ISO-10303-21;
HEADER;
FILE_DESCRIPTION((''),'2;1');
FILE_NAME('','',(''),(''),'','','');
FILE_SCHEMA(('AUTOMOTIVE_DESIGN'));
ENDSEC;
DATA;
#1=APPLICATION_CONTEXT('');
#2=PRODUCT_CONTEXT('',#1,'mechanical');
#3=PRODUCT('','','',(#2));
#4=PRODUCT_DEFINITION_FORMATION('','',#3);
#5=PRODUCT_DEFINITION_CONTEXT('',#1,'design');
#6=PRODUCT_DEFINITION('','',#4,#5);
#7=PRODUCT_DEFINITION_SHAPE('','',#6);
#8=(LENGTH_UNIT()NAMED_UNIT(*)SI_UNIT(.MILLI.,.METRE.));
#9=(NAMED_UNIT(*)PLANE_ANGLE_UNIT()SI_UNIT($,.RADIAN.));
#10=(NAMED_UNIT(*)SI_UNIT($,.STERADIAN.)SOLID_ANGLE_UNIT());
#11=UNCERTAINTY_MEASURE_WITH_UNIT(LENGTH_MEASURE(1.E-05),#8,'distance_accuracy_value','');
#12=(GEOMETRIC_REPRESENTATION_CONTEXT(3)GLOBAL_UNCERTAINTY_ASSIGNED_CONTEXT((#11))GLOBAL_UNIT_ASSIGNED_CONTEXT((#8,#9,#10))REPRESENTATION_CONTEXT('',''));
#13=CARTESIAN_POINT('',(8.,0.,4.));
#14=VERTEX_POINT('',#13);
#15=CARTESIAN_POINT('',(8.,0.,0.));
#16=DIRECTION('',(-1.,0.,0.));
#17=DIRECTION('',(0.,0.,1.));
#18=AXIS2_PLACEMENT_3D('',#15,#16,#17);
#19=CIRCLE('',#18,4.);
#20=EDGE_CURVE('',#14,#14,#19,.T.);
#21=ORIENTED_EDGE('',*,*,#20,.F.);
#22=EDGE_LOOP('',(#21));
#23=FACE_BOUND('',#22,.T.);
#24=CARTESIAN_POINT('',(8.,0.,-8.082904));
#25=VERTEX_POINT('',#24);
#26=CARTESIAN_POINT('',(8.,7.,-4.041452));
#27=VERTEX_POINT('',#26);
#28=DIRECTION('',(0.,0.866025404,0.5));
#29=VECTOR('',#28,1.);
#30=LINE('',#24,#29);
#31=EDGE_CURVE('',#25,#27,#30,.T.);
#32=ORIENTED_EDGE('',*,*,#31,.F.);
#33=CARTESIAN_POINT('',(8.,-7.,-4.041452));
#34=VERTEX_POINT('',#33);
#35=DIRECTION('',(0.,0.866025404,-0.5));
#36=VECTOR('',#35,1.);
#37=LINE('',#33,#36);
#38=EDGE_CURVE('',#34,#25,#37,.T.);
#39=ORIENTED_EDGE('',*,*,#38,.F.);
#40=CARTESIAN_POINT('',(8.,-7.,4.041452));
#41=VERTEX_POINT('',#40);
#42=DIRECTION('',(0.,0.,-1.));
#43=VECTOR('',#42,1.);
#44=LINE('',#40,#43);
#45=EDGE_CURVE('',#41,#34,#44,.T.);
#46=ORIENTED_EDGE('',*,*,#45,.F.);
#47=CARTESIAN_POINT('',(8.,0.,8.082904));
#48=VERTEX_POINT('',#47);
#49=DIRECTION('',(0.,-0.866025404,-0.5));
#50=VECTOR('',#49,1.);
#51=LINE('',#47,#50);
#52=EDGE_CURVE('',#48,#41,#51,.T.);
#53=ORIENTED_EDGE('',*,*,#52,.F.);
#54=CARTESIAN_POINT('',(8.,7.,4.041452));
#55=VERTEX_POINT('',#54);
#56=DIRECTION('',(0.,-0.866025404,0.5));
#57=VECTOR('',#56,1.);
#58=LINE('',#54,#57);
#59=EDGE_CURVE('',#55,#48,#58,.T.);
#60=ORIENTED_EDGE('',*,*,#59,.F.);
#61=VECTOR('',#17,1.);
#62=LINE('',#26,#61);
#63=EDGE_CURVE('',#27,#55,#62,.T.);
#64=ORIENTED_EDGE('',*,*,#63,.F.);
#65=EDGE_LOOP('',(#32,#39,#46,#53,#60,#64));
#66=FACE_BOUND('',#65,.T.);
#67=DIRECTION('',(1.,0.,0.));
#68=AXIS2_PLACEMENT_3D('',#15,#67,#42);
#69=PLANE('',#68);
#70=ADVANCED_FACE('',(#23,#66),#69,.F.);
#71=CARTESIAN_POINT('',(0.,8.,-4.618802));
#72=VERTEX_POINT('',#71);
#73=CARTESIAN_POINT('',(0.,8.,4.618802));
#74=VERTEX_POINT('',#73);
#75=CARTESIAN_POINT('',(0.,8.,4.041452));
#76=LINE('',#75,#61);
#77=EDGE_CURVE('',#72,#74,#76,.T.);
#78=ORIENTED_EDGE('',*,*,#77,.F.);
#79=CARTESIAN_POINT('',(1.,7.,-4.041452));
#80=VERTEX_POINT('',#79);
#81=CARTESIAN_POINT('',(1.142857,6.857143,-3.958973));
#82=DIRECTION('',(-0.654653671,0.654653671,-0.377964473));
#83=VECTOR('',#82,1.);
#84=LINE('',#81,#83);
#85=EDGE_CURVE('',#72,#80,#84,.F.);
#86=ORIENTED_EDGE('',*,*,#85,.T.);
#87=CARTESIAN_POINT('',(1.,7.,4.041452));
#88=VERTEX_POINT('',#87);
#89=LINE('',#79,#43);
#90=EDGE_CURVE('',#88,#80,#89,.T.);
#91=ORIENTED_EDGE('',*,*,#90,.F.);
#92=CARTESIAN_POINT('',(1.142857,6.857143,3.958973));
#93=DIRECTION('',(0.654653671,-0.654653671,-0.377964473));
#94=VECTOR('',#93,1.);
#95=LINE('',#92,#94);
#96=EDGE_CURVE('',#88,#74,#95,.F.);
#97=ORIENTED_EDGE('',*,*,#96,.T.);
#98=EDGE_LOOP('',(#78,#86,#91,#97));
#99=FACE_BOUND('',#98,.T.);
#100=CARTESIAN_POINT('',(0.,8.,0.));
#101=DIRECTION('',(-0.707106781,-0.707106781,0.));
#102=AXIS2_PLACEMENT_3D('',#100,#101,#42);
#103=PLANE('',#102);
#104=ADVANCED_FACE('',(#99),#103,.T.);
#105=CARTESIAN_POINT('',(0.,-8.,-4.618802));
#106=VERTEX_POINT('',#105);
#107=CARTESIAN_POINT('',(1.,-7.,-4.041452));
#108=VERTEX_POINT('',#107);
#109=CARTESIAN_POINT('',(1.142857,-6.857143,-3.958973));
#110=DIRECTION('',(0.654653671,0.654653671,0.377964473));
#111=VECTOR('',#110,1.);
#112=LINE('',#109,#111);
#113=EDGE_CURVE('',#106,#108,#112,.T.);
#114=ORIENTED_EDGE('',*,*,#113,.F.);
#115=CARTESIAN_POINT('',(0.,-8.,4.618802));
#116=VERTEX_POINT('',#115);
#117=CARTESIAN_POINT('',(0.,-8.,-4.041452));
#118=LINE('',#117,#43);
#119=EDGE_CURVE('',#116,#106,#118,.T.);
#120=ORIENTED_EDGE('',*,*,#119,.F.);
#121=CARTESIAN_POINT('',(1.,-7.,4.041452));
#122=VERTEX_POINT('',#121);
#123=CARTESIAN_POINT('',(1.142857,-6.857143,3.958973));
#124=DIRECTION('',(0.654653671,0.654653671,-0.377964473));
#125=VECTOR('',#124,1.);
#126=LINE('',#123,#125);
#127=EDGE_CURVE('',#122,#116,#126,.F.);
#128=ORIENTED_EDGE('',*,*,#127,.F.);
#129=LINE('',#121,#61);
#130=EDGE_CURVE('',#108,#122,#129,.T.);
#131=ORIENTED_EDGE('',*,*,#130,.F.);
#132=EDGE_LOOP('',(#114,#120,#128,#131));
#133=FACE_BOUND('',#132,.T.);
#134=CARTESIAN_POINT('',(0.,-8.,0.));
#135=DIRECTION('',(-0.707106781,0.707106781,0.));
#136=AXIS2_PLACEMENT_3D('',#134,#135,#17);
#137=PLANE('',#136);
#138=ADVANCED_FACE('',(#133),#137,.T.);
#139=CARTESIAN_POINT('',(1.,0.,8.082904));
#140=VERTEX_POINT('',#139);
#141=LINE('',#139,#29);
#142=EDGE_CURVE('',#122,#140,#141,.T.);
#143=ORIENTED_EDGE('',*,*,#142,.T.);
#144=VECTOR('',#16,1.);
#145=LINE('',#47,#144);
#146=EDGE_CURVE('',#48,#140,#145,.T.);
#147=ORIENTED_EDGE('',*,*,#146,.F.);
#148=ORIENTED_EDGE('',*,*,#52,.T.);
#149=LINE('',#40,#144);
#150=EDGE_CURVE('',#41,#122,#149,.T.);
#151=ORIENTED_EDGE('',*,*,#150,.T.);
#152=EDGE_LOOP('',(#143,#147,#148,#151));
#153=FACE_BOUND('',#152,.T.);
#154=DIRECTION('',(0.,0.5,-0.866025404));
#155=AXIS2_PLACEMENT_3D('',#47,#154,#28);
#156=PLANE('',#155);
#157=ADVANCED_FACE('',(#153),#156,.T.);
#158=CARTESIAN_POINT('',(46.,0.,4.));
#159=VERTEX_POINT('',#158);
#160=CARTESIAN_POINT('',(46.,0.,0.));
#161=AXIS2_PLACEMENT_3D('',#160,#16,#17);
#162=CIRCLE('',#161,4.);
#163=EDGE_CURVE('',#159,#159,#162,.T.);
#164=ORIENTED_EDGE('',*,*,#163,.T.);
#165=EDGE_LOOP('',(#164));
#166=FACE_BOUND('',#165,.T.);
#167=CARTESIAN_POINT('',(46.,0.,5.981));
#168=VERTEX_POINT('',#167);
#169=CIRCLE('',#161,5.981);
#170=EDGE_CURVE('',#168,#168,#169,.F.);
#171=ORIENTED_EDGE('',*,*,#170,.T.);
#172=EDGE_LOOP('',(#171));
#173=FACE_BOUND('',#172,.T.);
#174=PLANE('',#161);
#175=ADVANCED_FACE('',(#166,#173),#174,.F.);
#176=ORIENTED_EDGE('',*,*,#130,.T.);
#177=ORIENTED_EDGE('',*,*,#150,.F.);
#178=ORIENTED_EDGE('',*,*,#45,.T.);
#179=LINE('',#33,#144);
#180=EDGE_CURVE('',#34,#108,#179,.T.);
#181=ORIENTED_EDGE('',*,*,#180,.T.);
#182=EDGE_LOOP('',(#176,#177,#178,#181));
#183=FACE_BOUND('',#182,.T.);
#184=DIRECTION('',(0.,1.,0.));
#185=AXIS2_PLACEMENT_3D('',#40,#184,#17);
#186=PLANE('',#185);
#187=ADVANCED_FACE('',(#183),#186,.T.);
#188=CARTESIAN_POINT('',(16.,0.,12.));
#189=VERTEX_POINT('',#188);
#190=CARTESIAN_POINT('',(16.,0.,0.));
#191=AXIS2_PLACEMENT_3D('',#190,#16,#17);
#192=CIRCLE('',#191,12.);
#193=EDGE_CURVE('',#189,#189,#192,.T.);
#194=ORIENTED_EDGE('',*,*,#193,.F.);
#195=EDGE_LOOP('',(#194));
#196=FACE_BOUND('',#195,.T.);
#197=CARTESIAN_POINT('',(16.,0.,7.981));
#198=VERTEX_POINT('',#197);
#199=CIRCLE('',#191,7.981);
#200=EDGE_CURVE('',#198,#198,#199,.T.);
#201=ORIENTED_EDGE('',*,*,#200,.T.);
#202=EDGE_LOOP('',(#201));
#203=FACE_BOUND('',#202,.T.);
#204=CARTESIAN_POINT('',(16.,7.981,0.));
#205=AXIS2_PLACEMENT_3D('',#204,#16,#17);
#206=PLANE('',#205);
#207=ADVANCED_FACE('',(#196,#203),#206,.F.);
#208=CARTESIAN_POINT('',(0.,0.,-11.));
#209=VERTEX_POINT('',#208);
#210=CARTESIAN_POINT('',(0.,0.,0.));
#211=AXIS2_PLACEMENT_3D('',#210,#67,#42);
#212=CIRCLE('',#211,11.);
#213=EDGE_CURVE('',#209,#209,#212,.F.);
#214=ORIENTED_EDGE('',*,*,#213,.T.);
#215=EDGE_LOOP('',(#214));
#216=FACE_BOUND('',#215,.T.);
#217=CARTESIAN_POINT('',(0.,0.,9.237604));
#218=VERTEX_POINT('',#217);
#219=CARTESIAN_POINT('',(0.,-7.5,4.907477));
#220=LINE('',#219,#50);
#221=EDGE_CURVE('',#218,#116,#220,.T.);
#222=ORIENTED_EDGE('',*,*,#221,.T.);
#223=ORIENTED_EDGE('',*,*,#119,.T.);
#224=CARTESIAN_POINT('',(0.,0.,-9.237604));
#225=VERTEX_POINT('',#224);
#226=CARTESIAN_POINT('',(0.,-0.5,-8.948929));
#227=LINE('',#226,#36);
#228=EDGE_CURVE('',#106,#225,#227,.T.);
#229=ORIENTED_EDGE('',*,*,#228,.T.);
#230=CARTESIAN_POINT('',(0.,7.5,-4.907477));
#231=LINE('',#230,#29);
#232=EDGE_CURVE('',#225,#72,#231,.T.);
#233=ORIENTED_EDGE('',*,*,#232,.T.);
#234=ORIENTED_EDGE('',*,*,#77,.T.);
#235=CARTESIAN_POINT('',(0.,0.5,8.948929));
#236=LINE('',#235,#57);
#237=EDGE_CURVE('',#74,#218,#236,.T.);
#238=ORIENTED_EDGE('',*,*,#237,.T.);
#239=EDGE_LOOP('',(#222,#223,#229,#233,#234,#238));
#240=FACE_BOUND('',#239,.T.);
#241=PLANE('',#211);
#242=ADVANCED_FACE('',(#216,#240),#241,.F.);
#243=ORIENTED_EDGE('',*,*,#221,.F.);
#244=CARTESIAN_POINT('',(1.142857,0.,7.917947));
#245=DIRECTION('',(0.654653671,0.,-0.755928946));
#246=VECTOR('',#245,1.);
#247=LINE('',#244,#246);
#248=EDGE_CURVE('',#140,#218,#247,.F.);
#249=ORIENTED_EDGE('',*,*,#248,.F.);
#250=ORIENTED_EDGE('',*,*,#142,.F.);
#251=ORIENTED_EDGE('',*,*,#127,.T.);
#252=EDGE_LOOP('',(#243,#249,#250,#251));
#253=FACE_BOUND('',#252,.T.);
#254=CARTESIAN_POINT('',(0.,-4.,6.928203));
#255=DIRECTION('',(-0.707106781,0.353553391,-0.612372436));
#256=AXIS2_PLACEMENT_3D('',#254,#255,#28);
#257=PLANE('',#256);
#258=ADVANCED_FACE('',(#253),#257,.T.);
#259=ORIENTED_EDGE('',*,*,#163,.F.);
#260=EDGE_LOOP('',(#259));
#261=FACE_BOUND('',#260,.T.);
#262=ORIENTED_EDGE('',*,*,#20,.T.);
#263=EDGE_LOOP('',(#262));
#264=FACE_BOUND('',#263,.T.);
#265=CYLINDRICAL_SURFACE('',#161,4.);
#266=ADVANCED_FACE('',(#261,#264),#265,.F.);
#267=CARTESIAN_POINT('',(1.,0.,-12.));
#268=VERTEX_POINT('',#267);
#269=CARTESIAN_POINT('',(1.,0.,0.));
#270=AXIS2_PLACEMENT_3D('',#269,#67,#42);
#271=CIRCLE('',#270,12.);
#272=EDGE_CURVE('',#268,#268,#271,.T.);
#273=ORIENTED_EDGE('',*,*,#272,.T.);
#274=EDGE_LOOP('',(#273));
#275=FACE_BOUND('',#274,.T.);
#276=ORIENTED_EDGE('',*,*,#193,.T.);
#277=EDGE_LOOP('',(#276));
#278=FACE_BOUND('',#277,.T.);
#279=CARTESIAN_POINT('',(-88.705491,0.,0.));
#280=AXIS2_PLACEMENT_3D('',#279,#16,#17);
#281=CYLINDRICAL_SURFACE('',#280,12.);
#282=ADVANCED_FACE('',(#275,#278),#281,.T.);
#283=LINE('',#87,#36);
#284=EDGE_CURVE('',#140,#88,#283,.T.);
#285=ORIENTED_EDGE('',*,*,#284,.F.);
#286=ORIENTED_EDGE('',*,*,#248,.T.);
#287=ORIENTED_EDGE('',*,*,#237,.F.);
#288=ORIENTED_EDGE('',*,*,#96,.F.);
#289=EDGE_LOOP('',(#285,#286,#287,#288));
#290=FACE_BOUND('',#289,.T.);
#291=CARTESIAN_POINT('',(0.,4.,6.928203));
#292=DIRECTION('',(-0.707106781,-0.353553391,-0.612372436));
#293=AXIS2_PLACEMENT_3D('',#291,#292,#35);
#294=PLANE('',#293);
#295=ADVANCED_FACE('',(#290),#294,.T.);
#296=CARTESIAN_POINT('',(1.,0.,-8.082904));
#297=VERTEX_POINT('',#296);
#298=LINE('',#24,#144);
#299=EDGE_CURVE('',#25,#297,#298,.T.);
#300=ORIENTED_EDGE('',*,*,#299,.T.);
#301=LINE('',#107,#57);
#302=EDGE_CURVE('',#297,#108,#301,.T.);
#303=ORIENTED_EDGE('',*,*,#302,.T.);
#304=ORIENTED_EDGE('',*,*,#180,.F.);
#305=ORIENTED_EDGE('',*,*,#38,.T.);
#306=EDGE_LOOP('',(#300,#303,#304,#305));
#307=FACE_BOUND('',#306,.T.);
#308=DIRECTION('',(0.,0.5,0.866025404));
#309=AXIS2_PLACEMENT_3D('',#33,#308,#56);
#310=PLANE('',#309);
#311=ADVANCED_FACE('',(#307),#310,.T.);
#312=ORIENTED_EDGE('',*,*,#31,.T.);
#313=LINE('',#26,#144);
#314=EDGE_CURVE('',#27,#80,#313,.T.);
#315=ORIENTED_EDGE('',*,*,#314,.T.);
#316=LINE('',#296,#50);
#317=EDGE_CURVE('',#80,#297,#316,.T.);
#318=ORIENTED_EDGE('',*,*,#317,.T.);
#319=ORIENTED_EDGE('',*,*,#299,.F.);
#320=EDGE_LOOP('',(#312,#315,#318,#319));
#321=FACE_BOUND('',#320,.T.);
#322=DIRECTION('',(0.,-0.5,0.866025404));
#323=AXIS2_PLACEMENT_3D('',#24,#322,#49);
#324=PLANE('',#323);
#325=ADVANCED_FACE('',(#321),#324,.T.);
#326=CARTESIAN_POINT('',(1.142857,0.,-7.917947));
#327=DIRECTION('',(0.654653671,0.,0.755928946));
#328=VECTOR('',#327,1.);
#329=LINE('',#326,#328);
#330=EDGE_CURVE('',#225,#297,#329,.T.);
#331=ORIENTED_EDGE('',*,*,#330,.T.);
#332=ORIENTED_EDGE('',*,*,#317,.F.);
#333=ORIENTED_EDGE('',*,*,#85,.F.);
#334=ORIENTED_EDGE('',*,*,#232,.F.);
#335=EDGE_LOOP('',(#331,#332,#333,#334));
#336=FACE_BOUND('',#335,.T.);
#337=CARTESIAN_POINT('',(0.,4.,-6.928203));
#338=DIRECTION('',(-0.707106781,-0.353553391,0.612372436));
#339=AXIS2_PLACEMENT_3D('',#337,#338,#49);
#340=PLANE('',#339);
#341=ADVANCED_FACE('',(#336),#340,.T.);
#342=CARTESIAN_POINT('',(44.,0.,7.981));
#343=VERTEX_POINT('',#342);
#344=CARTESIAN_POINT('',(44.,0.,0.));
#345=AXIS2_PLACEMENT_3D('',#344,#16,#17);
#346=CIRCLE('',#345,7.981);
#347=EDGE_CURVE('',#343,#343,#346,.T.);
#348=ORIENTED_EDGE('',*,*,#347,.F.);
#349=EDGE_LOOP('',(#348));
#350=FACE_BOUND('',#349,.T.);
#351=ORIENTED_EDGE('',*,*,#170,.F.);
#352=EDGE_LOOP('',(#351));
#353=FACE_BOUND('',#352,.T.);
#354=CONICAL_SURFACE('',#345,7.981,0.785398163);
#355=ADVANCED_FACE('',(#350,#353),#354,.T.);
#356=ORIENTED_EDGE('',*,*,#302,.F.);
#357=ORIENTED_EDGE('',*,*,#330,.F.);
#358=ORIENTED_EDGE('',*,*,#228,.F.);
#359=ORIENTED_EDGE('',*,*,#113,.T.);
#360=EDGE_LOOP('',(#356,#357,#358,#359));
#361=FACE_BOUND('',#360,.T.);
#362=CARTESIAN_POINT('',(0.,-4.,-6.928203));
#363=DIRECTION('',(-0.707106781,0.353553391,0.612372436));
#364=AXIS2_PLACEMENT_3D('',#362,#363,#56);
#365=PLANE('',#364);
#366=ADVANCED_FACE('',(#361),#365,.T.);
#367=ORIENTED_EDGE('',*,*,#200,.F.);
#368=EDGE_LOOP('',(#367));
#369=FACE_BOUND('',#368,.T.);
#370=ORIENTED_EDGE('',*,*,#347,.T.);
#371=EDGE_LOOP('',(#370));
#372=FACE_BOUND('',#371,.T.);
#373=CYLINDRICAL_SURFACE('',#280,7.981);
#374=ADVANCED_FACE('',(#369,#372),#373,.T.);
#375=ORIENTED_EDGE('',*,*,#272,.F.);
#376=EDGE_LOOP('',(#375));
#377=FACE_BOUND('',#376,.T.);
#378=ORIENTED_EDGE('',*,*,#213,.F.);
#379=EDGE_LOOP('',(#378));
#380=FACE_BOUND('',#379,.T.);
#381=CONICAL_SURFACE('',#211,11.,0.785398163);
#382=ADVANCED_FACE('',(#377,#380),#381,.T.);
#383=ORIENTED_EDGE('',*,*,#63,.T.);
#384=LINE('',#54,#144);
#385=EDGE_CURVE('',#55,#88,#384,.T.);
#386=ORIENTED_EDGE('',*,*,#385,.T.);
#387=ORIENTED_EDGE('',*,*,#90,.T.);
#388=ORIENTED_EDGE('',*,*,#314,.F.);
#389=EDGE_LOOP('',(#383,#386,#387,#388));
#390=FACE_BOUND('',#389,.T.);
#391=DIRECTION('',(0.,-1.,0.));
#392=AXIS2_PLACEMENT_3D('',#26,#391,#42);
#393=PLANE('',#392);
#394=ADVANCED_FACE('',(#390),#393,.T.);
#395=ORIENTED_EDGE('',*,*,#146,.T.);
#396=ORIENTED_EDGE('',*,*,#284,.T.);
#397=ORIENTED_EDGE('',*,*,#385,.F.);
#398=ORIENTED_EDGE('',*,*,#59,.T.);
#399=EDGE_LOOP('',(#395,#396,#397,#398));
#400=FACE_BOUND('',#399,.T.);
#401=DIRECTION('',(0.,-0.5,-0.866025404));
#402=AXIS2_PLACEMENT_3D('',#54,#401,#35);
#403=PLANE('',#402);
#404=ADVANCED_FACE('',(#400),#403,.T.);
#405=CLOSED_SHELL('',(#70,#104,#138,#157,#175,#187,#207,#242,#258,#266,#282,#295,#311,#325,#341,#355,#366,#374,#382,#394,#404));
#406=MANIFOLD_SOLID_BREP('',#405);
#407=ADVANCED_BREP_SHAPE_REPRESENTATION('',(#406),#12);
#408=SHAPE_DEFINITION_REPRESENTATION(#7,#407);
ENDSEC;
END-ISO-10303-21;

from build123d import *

# Parameters (mm, degrees)
CHAMFER1_SIZE      = 2
CHAMFER2_SIZE      = 1
CUT_EXTRUDE1_DEPTH = 8
CHAMFER3_SIZE      = 1
SKETCH4_R          = 4
CUT_EXTRUDE2_DEPTH = 39


with BuildPart() as part:
    # Sketch1 → Revolve1 (revolve)
    with BuildSketch(Plane.XY):
        Polygon((0, 0), (0, 12), (16, 12), (16, 7.981), (46, 7.981), (46, 0), align=None)
    revolve(axis=Axis((-88.705490849, 0, 0), (1, 0, 0)))

    # Chamfer1
    chamfer1_edges = [part.edges().sort_by_distance(p)[0] for p in [
        (46, -7.981, 0),
    ]]
    chamfer(chamfer1_edges, length=CHAMFER1_SIZE)

    # Chamfer2
    chamfer2_edges = [part.edges().sort_by_distance(p)[0] for p in [
        (0, -12, 0),
    ]]
    chamfer(chamfer2_edges, length=CHAMFER2_SIZE)

    # Sketch3 → Cut-Extrude1 (cut)
    with BuildSketch(Plane(origin=(0, 0, 0), x_dir=(0, 0, -1), z_dir=(1, 0, 0))):
        Polygon((-8.082903769, 0), (-4.041451884, -7), (4.041451884, -7), (8.082903769, 0), (4.041451884, 7), (-4.041451884, 7), align=None)
    extrude(amount=CUT_EXTRUDE1_DEPTH, mode=Mode.SUBTRACT)

    # Chamfer3
    chamfer3_edges = [part.edges().sort_by_distance(p)[0] for p in [
        (0, 3.5, 6.062177826),
        (0, -3.5, 6.062177826),
        (0, -7, 0),
        (0, -3.5, -6.062177826),
        (0, 3.5, -6.062177826),
        (0, 7, 0),
    ]]
    chamfer(chamfer3_edges, length=CHAMFER3_SIZE)

    # Sketch4 → Cut-Extrude2 (cut, through all)
    with BuildSketch(Plane.ZY.offset(-8)):
        Circle(SKETCH4_R)
    extrude(amount=-CUT_EXTRUDE2_DEPTH, mode=Mode.SUBTRACT)


solid = part.part
